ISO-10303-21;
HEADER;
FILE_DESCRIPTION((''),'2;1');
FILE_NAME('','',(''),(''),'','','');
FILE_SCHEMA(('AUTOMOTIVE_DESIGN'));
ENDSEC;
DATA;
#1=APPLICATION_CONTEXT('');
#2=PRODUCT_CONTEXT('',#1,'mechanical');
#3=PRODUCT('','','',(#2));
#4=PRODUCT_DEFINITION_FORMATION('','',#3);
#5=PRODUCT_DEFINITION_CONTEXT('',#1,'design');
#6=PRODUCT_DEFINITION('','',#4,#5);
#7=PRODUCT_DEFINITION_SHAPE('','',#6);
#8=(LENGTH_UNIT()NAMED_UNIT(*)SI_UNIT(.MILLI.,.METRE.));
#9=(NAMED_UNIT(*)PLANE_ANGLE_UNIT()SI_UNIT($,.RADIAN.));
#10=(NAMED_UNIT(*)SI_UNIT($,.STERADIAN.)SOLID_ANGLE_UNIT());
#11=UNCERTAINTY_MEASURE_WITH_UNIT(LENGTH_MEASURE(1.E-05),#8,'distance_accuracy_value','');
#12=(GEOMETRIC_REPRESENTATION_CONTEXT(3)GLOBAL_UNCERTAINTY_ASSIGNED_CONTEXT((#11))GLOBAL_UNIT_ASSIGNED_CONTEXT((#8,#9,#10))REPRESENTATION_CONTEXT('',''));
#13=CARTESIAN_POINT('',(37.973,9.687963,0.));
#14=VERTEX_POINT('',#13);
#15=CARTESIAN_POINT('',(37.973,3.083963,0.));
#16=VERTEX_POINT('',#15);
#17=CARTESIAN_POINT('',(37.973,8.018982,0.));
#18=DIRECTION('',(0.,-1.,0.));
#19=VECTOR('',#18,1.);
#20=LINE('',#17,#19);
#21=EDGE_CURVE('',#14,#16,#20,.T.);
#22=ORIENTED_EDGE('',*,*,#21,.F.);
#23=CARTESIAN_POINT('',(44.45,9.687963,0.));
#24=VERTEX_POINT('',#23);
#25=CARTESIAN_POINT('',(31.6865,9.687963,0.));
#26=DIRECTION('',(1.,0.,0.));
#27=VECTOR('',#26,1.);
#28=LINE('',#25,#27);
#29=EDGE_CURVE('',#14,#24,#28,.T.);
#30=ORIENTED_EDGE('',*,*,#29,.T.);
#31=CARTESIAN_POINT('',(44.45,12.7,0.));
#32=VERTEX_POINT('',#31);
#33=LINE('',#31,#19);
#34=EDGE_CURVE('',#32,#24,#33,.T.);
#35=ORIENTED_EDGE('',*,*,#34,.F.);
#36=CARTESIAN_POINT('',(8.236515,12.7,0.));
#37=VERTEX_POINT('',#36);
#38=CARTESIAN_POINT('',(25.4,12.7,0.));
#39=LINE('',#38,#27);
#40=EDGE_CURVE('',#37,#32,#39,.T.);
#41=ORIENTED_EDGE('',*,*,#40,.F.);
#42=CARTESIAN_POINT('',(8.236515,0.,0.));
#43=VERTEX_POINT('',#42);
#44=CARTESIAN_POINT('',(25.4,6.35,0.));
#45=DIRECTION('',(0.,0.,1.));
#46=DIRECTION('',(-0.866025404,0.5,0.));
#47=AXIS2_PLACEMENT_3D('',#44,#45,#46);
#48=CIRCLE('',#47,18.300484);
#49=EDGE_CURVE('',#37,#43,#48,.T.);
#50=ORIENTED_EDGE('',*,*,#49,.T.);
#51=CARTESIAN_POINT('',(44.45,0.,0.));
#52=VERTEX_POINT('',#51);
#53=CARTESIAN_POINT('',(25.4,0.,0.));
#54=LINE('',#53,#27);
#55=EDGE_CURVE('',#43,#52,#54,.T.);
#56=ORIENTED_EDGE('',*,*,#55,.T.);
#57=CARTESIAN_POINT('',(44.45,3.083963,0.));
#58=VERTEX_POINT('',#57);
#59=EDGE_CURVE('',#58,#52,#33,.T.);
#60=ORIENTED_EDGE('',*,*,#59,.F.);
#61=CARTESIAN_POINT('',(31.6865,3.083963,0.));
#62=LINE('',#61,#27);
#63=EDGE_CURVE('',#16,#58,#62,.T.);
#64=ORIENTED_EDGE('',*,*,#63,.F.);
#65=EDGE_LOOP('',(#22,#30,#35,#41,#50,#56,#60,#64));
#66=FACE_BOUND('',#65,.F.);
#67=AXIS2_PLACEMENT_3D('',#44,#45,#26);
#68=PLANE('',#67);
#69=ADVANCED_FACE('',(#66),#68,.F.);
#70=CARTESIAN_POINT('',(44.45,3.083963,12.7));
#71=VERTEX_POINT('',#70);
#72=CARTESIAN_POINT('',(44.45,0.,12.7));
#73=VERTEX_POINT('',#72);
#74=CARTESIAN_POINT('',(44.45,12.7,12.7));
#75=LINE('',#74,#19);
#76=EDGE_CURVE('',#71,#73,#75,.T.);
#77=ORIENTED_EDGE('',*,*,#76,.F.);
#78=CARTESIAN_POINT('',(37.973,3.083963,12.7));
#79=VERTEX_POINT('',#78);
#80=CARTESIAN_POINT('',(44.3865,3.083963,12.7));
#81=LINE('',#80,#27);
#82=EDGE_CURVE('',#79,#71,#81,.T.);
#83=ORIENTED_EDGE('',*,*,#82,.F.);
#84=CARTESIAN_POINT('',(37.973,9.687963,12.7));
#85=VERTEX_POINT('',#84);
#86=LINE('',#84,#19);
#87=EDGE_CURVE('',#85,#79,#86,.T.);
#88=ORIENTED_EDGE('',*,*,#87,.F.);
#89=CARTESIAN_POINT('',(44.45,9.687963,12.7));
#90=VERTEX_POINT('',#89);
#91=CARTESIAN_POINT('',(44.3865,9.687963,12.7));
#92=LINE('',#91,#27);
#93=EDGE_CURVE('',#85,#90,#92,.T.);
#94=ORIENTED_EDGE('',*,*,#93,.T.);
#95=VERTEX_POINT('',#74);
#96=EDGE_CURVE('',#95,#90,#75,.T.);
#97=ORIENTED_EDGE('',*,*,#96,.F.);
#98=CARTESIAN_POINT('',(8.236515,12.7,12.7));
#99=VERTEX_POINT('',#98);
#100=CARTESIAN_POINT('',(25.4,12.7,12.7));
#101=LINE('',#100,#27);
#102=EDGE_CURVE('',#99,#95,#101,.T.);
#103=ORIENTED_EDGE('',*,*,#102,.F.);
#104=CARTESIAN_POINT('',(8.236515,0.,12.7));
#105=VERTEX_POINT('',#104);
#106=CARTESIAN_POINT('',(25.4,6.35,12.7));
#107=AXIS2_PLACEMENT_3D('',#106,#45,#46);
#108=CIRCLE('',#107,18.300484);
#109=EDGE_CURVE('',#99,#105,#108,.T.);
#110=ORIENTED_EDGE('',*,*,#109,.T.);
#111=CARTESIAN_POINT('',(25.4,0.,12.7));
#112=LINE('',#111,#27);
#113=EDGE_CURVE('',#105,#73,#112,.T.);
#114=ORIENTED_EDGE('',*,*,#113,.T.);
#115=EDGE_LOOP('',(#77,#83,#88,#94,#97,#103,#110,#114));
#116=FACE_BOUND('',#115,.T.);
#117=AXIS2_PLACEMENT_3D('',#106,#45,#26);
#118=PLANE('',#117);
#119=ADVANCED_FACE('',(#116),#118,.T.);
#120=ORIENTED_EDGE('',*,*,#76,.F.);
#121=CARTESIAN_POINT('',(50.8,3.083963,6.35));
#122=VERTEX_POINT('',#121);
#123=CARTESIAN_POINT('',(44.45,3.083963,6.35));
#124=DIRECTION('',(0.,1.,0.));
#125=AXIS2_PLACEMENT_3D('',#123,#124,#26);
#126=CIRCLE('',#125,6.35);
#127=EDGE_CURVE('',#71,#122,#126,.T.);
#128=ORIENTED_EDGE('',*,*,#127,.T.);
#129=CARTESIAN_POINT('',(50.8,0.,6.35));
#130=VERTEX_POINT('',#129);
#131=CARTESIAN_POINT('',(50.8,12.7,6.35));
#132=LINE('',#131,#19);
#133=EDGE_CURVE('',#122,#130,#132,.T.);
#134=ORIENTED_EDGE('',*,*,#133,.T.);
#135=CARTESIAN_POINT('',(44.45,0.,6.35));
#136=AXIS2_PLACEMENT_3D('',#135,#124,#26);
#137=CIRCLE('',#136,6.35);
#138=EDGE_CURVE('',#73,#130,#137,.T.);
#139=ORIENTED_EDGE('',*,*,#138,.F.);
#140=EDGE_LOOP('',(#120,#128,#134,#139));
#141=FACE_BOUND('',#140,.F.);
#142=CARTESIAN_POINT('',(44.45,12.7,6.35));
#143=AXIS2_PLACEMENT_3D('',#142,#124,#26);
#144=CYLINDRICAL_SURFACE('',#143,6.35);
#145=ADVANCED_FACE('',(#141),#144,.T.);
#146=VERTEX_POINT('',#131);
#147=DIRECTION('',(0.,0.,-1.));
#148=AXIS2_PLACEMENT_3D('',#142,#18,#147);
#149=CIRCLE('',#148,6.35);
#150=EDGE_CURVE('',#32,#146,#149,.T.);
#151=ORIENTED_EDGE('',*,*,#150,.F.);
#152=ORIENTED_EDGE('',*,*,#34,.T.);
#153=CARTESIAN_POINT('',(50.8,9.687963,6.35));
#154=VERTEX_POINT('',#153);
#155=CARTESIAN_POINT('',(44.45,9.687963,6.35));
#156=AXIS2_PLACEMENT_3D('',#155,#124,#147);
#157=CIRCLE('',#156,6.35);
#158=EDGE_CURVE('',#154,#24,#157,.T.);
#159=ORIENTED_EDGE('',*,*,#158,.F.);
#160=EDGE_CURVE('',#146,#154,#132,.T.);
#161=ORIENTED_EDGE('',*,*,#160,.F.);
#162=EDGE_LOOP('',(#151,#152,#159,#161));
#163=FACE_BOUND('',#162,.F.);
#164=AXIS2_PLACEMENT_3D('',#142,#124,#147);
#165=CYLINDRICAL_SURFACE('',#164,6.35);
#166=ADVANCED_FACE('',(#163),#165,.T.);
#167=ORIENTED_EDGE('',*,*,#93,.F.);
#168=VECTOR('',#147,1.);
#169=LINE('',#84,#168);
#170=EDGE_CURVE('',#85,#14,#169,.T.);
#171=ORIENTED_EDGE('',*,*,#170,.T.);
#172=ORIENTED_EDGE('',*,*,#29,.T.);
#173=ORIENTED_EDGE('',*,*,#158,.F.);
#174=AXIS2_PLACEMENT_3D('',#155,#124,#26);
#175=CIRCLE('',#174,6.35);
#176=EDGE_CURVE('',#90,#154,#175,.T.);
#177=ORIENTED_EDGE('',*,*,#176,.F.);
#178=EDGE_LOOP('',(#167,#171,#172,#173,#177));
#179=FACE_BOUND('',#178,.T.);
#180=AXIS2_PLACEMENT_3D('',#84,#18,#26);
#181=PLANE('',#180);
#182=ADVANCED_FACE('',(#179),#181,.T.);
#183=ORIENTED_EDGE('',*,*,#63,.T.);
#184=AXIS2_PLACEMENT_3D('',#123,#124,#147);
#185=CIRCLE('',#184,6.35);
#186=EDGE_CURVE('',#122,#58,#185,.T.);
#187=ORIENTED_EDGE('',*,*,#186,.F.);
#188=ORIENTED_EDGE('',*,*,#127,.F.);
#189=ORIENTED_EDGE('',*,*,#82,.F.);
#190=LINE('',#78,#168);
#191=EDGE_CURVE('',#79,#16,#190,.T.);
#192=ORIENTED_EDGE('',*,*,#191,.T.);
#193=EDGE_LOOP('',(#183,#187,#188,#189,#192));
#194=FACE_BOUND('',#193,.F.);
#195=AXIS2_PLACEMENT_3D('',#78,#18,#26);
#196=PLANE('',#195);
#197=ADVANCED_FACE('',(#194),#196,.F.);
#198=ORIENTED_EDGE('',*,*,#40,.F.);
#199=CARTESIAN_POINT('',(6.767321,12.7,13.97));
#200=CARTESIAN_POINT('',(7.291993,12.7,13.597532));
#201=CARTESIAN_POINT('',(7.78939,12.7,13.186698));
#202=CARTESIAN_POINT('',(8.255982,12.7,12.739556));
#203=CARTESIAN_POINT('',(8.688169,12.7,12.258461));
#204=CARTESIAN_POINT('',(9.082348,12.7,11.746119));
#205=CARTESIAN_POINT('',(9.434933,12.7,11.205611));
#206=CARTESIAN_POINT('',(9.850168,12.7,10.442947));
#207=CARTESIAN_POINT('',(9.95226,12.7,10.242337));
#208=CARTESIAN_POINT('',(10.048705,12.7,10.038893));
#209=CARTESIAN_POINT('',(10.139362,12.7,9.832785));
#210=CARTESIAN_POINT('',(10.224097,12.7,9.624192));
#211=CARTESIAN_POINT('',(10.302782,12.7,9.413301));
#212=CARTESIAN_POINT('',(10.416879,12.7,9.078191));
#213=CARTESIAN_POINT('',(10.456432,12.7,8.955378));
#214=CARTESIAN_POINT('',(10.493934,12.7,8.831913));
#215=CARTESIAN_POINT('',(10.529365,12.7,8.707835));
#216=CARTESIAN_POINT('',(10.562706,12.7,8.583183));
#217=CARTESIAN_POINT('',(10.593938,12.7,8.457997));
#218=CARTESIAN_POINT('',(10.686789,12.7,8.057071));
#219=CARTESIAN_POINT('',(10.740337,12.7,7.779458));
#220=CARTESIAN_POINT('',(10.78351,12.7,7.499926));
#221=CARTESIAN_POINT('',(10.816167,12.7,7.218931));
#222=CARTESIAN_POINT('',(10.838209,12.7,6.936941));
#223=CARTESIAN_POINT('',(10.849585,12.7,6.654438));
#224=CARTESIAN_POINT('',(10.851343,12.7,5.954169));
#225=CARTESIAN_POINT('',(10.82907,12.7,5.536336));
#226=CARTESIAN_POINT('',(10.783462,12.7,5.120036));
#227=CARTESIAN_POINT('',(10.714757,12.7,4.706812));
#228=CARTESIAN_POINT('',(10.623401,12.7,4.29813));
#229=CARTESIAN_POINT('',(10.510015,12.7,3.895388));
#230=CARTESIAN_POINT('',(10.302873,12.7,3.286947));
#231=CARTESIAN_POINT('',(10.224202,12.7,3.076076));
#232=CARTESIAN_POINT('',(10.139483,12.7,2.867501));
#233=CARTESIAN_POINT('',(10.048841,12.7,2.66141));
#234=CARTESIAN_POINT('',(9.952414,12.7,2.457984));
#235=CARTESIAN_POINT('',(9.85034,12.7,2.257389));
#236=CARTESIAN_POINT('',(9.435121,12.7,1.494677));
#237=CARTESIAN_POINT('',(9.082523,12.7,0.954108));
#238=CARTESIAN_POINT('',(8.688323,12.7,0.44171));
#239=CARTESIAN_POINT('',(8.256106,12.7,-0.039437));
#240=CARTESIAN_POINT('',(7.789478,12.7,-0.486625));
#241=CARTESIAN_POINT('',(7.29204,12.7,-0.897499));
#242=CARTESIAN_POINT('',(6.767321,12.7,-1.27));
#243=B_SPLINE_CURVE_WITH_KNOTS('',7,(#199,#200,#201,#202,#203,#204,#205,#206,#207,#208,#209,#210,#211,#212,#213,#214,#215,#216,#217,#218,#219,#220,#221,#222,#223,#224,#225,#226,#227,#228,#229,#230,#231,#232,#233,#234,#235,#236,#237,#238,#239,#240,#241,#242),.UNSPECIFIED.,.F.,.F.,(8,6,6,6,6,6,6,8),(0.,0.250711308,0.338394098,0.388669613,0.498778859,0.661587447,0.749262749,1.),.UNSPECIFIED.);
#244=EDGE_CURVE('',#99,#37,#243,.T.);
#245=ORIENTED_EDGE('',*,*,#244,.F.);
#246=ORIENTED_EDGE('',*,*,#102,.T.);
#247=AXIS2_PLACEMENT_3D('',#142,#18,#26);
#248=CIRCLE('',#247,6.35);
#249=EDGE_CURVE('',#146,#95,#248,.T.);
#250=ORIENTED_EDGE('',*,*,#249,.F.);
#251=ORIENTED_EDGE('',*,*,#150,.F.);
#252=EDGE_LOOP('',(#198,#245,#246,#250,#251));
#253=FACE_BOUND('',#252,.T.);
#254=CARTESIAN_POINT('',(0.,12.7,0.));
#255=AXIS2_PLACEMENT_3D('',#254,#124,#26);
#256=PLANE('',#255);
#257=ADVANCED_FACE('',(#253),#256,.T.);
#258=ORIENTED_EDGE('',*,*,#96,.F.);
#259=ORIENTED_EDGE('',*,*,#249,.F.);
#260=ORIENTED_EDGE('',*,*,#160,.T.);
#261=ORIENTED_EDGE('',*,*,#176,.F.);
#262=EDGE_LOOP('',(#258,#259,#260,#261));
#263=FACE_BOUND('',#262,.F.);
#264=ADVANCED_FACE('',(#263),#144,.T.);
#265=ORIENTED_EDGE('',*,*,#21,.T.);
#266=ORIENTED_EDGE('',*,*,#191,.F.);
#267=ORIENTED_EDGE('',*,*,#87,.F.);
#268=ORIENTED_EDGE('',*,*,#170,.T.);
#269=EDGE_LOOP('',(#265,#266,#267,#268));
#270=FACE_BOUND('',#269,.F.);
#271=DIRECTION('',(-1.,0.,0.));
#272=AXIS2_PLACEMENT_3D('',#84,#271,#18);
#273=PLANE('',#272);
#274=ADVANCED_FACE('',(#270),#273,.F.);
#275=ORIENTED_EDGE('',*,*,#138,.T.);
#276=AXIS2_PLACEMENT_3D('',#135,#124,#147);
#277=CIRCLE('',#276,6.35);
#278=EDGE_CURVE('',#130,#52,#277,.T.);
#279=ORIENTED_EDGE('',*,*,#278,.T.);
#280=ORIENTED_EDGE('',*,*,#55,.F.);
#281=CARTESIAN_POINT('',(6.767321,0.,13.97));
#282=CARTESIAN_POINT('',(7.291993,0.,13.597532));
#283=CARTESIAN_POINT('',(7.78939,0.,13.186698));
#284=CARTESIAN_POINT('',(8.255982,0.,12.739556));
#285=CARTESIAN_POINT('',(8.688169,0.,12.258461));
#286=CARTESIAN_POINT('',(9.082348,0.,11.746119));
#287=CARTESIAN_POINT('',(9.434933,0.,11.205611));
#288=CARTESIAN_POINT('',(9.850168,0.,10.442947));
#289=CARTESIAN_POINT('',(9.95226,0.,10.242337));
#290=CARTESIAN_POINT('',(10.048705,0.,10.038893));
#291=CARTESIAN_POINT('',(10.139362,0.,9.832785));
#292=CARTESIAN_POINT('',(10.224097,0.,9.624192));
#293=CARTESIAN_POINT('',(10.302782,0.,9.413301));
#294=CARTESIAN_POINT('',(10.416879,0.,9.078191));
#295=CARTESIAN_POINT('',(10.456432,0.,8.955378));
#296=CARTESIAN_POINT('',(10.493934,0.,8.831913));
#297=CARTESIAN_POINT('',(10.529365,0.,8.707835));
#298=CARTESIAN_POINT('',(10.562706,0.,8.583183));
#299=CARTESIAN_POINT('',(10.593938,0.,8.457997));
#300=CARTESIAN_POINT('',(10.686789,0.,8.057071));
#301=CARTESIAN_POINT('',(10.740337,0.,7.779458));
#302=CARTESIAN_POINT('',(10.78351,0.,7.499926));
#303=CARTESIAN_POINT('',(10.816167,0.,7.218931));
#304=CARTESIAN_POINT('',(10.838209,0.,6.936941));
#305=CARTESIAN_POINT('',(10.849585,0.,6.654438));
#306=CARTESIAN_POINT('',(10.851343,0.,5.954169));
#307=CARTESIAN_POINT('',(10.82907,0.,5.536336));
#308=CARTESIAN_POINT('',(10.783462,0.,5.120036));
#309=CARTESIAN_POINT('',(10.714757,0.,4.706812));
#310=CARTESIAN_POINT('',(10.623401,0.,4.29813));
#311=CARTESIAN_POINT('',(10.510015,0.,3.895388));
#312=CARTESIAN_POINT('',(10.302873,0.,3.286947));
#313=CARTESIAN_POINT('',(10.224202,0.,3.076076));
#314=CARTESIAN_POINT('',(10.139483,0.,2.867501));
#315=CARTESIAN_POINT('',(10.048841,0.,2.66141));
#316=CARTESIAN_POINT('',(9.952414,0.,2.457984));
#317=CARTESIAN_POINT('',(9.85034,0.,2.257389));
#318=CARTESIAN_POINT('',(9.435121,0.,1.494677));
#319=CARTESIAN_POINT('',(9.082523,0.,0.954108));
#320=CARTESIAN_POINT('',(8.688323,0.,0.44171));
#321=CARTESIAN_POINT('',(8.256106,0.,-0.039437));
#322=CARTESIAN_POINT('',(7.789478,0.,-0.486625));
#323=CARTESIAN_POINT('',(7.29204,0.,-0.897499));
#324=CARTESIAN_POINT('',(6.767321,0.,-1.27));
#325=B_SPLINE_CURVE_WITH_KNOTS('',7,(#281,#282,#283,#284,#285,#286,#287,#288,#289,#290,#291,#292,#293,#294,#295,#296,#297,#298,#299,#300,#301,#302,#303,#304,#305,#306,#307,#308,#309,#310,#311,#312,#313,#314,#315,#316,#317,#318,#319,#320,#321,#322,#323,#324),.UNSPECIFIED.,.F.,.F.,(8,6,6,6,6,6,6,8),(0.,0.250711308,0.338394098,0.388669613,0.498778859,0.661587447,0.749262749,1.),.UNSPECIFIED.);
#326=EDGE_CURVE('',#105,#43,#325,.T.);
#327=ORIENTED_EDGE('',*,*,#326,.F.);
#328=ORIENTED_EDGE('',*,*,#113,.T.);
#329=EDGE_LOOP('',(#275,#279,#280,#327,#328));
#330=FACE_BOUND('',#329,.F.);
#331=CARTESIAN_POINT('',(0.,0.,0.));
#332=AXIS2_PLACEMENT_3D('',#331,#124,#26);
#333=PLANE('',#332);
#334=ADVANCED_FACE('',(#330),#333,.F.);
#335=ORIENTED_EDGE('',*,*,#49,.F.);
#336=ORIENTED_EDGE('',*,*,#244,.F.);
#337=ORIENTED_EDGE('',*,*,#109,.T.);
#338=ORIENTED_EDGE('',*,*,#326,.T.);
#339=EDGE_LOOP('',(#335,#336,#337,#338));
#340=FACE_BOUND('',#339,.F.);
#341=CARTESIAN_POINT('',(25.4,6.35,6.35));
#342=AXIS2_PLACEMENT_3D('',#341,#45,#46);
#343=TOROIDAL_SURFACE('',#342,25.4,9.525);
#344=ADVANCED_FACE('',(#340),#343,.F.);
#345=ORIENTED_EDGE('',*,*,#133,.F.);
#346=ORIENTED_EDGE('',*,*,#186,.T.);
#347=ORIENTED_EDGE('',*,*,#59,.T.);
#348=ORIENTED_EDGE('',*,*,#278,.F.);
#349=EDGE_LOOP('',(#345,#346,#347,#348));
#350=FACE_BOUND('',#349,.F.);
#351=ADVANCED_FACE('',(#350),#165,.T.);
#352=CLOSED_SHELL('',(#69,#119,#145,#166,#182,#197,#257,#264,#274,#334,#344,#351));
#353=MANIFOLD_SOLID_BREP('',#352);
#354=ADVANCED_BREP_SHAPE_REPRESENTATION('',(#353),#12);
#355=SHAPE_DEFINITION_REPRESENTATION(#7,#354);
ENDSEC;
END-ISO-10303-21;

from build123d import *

# Parameters (mm, degrees)
F0_W          = 50.8
F0_H          = 12.7
F1_DEPTH      = 12.7
F6_R          = 9.525
F7_ANGLE_BACK = 30
F7_ANGLE      = 60
F9_DEPTH      = 25.4
F10_W         = 12.827
F10_H         = 3.302
F11_DEPTH     = 25.4


with BuildPart() as f1:
    # F0 (on Top) → F1 (new body)
    with BuildSketch(Plane.XY):
        with Locations((25.4, 6.35)):
            Rectangle(F0_W, F0_H)
    extrude(amount=F1_DEPTH)

    # F6 (on 3pt) → F7 (revolve, cut)
    with BuildSketch(Plane(origin=(0, 6.35, 0), x_dir=(-1, 0, 0), z_dir=(0, 1, 0)), mode=Mode.PRIVATE) as f7_sk:
        with Locations((0, 6.35)):
            Circle(F6_R)
    revolve(f7_sk.sketch.rotate(Axis((25.4, 6.35, 6.3316160813), (0, 0, 1)), -F7_ANGLE_BACK), axis=Axis((25.4, 6.35, 6.3316160813), (0, 0, 1)), revolution_arc=F7_ANGLE, mode=Mode.SUBTRACT)

    # F8 (on face) → F9 (cut)
    with BuildSketch(Plane(origin=(0, 12.7, 0), x_dir=(-1, 0, 0), z_dir=(0, 1, 0))):
        with BuildLine():
            ThreePointArc((-50.8, 6.35), (-48.9401280605, 10.8401280605), (-44.45, 12.7))
            Line((-44.45, 12.7), (-50.8, 12.7))
            Line((-50.8, 12.7), (-50.8, 6.35))
        make_face()
        with BuildLine():
            ThreePointArc((-44.45, 0), (-48.9401280605, 1.8598719395), (-50.8, 6.35))
            Line((-50.8, 6.35), (-50.8, 0))
            Line((-50.8, 0), (-44.45, 0))
        make_face()
    extrude(amount=-F9_DEPTH, mode=Mode.SUBTRACT)

    # F10 (on face) → F11 (cut)
    with BuildSketch(Plane.XY.offset(12.7)):
        with Locations((44.3865, 4.7349631403)):
            Rectangle(F10_W, F10_H)
        with Locations((44.3865, 8.0369631403)):
            Rectangle(F10_W, F10_H)
    extrude(amount=-F11_DEPTH, mode=Mode.SUBTRACT)


solid = f1.part
